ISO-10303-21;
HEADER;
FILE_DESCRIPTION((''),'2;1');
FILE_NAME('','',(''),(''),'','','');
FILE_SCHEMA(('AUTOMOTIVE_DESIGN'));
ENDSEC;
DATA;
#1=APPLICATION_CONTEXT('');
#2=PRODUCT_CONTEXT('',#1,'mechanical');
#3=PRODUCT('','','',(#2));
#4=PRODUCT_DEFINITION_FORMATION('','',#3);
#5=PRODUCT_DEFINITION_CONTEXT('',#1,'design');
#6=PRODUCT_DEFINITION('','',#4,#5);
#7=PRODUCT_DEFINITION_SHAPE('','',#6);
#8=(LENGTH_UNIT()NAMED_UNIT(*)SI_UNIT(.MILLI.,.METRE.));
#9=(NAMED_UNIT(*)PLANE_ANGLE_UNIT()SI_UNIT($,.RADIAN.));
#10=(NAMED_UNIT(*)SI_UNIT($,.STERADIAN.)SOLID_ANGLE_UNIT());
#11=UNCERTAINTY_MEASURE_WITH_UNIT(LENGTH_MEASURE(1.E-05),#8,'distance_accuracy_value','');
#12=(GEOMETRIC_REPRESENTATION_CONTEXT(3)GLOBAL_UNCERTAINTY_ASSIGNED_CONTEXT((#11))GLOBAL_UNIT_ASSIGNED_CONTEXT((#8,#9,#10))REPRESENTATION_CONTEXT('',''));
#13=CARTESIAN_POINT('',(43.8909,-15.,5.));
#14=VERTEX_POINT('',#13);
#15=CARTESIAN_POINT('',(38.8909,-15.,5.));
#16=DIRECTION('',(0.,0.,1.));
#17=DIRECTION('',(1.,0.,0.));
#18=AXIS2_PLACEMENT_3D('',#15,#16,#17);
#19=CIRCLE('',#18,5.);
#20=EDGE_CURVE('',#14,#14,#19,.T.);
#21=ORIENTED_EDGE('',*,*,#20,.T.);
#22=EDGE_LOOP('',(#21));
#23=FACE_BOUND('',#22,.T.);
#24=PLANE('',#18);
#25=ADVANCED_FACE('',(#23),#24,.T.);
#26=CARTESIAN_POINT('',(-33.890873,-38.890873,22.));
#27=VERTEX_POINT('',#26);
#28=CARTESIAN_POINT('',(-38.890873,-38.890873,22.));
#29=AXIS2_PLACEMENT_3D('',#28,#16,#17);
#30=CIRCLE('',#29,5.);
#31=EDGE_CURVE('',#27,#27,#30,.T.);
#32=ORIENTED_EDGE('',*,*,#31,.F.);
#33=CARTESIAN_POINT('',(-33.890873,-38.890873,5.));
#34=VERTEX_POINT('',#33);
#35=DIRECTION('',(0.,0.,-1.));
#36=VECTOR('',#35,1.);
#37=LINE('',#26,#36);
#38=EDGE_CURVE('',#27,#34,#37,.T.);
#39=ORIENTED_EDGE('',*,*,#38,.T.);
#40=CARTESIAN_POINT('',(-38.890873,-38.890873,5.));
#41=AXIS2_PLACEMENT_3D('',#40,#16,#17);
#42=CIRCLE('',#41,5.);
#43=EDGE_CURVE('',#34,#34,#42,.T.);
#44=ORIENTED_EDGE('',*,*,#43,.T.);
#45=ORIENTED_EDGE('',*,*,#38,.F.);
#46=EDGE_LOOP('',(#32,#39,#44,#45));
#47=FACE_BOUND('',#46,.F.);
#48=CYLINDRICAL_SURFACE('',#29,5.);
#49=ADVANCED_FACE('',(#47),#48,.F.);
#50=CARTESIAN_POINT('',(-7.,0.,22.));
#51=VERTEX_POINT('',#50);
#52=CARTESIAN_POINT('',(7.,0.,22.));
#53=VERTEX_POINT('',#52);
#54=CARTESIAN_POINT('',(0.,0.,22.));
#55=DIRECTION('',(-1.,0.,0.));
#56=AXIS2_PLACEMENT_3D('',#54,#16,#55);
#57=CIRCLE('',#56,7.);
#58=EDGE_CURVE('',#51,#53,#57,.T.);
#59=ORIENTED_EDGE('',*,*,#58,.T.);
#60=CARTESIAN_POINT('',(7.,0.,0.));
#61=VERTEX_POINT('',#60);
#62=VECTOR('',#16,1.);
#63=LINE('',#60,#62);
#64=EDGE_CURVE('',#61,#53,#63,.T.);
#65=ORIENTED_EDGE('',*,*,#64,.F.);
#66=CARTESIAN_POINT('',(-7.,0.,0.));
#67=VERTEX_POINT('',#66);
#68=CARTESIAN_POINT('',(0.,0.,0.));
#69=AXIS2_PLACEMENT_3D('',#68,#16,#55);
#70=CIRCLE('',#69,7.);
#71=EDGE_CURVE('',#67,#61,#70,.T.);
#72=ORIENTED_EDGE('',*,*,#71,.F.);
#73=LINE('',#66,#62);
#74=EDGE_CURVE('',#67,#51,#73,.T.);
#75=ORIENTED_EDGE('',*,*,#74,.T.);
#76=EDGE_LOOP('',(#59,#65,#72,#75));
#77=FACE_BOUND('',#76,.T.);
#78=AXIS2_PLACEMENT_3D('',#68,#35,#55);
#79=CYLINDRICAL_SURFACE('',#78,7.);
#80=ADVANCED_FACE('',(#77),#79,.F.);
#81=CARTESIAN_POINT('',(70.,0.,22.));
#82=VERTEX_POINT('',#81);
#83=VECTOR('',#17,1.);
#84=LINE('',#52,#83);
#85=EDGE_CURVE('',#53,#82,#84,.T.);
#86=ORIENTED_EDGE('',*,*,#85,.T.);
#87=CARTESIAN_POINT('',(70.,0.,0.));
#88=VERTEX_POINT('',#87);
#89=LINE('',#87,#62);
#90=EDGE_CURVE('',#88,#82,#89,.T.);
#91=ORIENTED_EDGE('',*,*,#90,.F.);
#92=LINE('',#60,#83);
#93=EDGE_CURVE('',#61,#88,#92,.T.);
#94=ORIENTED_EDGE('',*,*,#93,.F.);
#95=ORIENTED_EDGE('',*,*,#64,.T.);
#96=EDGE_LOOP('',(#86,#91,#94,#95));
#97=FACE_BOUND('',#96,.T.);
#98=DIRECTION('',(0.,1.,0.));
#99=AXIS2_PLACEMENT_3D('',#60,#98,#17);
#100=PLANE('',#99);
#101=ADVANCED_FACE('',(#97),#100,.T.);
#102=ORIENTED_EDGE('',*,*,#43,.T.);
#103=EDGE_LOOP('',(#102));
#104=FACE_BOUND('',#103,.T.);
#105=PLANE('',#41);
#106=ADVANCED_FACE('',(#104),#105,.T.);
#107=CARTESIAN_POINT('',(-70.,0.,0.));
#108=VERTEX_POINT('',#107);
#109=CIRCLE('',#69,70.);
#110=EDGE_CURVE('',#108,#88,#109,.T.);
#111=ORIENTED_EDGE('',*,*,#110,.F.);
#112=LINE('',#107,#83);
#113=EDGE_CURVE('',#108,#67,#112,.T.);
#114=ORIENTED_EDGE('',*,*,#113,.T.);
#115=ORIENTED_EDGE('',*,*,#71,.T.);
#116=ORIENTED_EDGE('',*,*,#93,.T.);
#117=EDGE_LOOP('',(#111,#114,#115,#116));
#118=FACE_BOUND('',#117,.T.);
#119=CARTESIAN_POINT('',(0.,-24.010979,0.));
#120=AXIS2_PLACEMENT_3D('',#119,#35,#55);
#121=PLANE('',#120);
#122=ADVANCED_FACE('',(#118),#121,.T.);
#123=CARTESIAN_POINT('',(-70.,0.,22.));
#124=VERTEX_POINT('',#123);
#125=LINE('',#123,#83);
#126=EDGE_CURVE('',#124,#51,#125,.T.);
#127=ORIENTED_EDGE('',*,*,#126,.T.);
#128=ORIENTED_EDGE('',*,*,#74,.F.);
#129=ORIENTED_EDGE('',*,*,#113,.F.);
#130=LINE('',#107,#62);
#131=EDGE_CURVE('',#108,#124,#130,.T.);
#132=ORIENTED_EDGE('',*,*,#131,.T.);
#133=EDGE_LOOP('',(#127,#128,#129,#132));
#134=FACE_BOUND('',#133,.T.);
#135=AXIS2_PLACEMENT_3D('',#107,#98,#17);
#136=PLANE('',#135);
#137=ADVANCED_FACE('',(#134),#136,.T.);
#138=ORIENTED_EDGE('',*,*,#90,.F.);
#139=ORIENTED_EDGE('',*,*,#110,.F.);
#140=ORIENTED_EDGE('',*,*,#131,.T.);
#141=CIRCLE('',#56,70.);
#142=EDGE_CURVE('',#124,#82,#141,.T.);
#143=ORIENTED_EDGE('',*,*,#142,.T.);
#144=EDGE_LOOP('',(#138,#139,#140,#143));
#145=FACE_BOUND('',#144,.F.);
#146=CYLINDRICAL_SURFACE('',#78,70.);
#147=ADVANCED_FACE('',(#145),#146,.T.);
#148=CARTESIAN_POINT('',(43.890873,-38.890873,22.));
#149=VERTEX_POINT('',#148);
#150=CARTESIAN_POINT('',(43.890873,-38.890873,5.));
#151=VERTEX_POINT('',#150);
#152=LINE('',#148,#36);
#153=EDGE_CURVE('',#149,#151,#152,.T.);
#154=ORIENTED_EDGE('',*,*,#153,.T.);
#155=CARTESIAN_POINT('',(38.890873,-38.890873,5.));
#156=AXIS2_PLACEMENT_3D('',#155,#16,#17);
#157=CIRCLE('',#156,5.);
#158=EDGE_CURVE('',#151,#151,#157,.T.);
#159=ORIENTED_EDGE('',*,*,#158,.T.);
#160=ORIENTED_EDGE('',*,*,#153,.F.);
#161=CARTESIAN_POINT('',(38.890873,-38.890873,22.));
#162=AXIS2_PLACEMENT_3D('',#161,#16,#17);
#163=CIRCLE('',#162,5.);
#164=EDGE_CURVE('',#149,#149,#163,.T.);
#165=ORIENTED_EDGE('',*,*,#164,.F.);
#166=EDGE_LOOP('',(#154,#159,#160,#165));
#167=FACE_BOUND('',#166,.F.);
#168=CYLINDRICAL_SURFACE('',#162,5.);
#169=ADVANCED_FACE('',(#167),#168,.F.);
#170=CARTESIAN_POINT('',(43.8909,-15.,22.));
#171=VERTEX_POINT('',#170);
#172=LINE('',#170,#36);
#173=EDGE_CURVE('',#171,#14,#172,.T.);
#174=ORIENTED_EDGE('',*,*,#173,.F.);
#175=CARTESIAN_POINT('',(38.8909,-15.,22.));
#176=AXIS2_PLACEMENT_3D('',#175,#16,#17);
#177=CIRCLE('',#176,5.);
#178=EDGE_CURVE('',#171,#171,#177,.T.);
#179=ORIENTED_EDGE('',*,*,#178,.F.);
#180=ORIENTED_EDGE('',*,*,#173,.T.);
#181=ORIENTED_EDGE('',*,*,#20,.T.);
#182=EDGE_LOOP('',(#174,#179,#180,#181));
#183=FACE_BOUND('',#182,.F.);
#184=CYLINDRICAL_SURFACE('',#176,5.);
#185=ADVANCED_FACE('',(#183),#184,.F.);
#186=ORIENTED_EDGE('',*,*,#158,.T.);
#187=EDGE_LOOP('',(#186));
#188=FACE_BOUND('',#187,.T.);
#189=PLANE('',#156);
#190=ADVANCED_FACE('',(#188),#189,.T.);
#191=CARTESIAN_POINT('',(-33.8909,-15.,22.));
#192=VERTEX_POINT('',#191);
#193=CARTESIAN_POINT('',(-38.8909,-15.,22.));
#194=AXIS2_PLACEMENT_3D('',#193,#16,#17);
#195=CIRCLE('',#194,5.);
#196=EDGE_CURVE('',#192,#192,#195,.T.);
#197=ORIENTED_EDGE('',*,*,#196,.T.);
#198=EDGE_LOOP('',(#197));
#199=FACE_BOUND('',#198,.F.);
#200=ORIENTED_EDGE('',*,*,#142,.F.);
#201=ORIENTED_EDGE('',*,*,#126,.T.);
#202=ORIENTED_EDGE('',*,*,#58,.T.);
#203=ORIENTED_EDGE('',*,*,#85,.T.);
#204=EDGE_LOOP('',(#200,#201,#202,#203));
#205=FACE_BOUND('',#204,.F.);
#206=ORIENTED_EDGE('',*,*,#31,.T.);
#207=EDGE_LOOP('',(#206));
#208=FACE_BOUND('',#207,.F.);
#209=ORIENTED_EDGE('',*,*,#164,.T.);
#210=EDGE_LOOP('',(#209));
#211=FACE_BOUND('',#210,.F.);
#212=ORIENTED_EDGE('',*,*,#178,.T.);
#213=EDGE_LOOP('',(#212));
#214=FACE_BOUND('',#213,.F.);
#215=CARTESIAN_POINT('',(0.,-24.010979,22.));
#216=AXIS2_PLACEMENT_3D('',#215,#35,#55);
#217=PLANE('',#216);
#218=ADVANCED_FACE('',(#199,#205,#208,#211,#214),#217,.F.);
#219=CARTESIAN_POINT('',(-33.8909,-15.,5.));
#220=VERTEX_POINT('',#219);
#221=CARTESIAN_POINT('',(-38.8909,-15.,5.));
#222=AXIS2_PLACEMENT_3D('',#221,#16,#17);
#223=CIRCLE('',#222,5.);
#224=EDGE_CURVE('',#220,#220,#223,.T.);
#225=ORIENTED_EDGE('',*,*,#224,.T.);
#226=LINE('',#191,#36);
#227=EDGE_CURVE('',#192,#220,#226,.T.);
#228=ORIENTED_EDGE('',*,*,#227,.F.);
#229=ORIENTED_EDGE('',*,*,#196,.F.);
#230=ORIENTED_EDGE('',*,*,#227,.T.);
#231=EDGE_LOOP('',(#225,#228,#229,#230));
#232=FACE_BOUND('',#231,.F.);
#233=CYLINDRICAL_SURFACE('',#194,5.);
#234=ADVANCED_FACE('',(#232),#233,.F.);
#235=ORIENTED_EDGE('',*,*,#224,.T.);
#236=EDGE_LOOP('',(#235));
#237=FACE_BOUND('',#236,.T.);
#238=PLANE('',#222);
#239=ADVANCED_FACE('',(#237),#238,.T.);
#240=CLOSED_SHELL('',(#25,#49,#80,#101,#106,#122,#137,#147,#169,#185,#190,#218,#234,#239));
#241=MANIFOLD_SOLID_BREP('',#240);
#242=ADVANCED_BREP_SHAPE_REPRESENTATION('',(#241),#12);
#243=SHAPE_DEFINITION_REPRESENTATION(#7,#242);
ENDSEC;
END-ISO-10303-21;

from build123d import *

# Parameters (mm, degrees)
PAD_DEPTH    = 22
SKETCH001_R  = 5
PAD001_DEPTH = 17
POCKET_DEPTH = 17


with BuildPart() as part:
    # Sketch → Pad (new body)
    with BuildSketch(Plane.XY):
        with BuildLine():
            ThreePointArc((-7, 0), (0, -7), (7, 0))
            Line((7, 0), (70, 0))
            ThreePointArc((-70, 0), (0, -70), (70, 0))
            Line((-70, 0), (-7, 0))
        make_face()
    extrude(amount=PAD_DEPTH)

    # Sketch001 (on Face6 of Pad) → Pad001 (join)
    with BuildSketch(Plane.XY.offset(22)):
        with Locations((-38.890873, -38.890873)):
            Circle(SKETCH001_R)
        with Locations((38.890873, -38.890873)):
            Circle(SKETCH001_R)
        with Locations((-38.8909, -15)):
            Circle(SKETCH001_R)
        with Locations((38.8909, -15)):
            Circle(SKETCH001_R)
    extrude(amount=-PAD001_DEPTH)

    # Sketch001 (on Face6 of Pad) → Pocket (cut)
    with BuildSketch(Plane.XY.offset(22)):
        with Locations((-38.890873, -38.890873)):
            Circle(SKETCH001_R)
        with Locations((38.890873, -38.890873)):
            Circle(SKETCH001_R)
        with Locations((-38.8909, -15)):
            Circle(SKETCH001_R)
        with Locations((38.8909, -15)):
            Circle(SKETCH001_R)
    extrude(amount=-POCKET_DEPTH, mode=Mode.SUBTRACT)


solid = part.part
